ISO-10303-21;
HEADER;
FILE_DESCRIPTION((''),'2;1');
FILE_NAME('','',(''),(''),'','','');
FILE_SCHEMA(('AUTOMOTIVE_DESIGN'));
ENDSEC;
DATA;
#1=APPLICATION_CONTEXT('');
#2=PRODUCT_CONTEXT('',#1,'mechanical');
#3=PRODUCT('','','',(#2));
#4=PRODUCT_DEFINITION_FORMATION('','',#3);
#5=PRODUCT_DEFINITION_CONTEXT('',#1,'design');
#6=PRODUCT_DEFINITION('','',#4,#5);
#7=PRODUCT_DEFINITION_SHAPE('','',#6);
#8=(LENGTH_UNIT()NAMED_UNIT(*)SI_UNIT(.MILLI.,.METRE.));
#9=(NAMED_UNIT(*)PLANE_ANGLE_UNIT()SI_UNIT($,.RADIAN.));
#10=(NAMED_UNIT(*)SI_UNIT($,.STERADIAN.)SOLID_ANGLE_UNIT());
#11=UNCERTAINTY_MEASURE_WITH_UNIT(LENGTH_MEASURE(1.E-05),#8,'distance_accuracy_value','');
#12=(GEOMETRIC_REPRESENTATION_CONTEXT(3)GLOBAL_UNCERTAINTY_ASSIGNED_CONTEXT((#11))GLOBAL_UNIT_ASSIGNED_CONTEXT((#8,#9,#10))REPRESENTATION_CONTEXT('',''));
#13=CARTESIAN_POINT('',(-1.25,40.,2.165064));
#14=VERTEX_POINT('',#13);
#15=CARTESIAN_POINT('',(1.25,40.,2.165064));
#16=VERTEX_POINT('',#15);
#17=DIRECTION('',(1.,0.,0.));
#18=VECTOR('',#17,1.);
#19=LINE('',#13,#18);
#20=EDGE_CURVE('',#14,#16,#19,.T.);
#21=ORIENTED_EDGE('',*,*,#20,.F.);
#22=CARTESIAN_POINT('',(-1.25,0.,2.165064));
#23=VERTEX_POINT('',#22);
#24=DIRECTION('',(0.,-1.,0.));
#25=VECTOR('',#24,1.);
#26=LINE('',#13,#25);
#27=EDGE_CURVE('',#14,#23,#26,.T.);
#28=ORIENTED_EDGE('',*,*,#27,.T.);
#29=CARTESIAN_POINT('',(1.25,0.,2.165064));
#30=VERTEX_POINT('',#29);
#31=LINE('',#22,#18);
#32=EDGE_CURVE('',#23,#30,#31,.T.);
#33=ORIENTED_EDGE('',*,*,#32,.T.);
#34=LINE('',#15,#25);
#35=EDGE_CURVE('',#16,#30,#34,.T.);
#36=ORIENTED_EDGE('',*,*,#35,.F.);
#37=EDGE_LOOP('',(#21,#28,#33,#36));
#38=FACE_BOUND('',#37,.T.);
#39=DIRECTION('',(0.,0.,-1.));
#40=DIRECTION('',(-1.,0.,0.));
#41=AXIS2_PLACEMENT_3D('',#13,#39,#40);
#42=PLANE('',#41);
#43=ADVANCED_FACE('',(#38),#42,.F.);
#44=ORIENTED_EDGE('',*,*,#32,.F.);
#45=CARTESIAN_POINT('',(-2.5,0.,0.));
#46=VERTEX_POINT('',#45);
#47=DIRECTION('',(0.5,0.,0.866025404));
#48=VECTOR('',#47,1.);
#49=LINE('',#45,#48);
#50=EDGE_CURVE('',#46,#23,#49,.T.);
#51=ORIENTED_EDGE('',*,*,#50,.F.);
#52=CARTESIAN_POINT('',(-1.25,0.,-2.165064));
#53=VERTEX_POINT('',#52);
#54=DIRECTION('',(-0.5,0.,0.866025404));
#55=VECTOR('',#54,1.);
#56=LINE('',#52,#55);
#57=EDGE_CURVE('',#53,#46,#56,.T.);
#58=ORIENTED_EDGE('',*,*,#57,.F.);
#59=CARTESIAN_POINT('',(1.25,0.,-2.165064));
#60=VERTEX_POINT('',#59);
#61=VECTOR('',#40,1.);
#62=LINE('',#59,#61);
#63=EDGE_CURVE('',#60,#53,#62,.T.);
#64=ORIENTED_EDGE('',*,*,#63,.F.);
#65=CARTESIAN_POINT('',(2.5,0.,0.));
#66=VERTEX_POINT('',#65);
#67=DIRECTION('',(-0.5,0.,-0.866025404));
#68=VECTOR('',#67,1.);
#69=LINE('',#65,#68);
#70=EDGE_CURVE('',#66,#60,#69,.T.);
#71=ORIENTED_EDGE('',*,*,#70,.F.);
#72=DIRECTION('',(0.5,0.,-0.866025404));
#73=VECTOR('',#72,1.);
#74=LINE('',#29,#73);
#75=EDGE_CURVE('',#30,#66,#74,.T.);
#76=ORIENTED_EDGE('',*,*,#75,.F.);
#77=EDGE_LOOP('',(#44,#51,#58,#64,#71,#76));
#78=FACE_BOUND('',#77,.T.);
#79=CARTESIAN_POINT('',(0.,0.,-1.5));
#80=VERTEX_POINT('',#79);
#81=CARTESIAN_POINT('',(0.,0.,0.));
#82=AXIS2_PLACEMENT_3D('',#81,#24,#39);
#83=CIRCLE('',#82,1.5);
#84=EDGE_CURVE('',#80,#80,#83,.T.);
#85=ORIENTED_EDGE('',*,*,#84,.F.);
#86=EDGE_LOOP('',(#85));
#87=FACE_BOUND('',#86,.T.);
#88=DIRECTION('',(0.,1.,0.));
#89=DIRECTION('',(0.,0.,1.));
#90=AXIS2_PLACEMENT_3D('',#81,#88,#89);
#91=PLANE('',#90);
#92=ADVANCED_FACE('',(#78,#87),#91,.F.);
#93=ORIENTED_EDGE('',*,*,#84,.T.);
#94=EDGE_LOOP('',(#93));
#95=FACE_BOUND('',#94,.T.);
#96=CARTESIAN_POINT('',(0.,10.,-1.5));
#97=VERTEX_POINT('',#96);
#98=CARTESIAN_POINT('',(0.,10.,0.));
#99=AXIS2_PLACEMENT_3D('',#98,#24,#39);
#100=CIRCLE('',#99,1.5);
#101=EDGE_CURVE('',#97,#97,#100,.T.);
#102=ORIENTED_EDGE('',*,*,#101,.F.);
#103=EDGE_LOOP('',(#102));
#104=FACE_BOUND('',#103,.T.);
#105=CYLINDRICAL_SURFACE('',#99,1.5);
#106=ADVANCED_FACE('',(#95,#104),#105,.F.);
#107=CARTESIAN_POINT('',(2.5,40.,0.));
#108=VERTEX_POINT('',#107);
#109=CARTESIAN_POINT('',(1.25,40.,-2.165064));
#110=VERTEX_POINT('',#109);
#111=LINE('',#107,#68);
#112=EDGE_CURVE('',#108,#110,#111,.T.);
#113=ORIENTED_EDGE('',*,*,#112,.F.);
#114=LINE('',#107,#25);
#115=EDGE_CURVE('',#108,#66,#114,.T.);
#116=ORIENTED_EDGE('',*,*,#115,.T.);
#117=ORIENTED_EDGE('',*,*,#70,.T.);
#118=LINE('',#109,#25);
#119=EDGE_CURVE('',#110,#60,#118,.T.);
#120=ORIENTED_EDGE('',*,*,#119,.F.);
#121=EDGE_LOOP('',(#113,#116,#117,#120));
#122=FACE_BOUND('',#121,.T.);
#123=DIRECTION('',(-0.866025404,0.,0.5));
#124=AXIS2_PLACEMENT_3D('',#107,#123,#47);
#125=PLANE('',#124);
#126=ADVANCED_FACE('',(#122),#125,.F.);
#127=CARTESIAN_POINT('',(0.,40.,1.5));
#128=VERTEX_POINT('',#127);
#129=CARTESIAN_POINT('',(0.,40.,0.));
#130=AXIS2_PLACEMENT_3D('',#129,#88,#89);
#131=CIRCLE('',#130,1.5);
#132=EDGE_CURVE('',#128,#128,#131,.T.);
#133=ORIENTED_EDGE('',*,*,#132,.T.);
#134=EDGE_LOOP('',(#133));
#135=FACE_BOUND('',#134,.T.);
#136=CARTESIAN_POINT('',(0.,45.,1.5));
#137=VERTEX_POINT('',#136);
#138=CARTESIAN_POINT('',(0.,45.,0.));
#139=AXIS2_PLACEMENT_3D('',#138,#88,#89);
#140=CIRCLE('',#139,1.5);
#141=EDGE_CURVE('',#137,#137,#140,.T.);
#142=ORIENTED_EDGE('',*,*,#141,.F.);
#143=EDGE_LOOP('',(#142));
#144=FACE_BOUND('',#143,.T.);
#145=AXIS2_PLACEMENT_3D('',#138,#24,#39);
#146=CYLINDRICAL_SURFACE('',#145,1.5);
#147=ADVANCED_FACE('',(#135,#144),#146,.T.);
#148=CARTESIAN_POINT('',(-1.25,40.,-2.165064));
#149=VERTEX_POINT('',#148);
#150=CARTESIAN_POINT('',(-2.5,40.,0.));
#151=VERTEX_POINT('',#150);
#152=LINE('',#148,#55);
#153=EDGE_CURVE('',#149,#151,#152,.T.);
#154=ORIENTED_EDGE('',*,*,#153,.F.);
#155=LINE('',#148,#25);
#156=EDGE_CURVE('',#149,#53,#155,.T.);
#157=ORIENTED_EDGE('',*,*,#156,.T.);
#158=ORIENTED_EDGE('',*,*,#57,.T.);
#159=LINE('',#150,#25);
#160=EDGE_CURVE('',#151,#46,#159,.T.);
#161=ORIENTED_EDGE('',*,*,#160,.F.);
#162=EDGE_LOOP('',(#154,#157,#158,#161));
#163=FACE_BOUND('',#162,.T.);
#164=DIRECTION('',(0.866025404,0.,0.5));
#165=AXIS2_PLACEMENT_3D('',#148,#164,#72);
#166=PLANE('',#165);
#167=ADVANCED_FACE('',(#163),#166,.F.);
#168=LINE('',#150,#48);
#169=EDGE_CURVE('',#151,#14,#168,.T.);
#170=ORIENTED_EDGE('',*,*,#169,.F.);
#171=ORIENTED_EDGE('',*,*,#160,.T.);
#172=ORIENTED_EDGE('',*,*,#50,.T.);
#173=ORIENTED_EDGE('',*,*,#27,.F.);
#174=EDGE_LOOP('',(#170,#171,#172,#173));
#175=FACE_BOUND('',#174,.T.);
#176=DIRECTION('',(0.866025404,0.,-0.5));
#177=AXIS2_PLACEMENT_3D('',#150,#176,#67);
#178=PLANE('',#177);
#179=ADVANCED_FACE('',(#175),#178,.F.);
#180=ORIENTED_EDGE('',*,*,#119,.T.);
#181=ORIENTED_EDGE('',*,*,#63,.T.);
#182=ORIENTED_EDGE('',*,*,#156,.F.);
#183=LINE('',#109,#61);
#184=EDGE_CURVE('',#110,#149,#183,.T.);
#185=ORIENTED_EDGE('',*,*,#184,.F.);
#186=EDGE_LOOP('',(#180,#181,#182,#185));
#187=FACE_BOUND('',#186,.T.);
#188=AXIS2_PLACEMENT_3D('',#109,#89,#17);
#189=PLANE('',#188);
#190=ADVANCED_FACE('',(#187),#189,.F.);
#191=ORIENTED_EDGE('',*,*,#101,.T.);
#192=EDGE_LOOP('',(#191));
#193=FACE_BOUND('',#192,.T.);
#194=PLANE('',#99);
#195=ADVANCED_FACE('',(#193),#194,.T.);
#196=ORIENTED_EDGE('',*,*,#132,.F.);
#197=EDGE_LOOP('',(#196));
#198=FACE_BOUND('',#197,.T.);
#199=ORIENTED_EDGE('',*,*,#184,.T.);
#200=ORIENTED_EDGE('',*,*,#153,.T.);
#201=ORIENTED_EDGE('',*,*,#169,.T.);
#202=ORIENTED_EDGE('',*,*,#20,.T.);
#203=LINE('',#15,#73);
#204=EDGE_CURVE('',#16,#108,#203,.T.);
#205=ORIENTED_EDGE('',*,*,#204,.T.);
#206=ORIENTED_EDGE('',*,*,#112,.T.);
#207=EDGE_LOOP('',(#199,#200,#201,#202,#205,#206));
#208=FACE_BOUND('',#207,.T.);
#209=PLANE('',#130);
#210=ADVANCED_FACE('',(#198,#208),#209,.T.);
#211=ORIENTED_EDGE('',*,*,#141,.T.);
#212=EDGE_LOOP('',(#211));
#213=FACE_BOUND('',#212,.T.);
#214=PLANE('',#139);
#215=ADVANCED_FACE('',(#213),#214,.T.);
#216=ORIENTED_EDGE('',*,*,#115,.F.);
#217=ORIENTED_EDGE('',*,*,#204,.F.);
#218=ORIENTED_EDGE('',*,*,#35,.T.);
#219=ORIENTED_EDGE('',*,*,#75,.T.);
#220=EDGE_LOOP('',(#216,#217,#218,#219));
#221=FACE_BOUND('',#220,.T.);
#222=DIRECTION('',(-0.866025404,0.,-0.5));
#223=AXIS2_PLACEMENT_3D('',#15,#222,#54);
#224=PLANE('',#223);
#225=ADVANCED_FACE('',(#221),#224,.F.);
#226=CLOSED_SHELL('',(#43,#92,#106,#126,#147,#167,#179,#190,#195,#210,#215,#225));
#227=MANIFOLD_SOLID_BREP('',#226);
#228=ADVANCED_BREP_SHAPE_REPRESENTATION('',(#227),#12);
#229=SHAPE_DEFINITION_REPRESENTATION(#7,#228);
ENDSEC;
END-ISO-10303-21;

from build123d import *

# Parameters (mm, degrees)
EXTRUDE_1_DEPTH     = 40
SKETCH_2_R          = 1.5
EXTRUDE_2_DEPTH     = 5
SKETCH_3_R          = 1.5
CUT_EXTRUDE_1_DEPTH = 10


with BuildPart() as part:
    # Эскиз1 → Бобышка-Вытянуть1 (new body)
    with BuildSketch(Plane(origin=(0, 0, 0), x_dir=(1, 0, 0), z_dir=(0, 1, 0))):
        Polygon((1.25, -2.165063509), (2.5, 0), (1.25, 2.165063509), (-1.25, 2.165063509), (-2.5, 0), (-1.25, -2.165063509), align=None)
    extrude(amount=EXTRUDE_1_DEPTH)

    # Эскиз2 → Бобышка-Вытянуть2 (add)
    with BuildSketch(Plane(origin=(0, 40, 0), x_dir=(1, 0, 0), z_dir=(0, 1, 0))):
        with Locations(Location((0, 0, 0), (0, 0, 270))):
            Circle(SKETCH_2_R)
    extrude(amount=EXTRUDE_2_DEPTH)

    # Эскиз3 → Вырез-Вытянуть1 (cut)
    with BuildSketch(Plane.XZ):
        with Locations(Location((0, 0, 0), (0, 0, 90))):
            Circle(SKETCH_3_R)
    extrude(amount=-CUT_EXTRUDE_1_DEPTH, mode=Mode.SUBTRACT)


solid = part.part
